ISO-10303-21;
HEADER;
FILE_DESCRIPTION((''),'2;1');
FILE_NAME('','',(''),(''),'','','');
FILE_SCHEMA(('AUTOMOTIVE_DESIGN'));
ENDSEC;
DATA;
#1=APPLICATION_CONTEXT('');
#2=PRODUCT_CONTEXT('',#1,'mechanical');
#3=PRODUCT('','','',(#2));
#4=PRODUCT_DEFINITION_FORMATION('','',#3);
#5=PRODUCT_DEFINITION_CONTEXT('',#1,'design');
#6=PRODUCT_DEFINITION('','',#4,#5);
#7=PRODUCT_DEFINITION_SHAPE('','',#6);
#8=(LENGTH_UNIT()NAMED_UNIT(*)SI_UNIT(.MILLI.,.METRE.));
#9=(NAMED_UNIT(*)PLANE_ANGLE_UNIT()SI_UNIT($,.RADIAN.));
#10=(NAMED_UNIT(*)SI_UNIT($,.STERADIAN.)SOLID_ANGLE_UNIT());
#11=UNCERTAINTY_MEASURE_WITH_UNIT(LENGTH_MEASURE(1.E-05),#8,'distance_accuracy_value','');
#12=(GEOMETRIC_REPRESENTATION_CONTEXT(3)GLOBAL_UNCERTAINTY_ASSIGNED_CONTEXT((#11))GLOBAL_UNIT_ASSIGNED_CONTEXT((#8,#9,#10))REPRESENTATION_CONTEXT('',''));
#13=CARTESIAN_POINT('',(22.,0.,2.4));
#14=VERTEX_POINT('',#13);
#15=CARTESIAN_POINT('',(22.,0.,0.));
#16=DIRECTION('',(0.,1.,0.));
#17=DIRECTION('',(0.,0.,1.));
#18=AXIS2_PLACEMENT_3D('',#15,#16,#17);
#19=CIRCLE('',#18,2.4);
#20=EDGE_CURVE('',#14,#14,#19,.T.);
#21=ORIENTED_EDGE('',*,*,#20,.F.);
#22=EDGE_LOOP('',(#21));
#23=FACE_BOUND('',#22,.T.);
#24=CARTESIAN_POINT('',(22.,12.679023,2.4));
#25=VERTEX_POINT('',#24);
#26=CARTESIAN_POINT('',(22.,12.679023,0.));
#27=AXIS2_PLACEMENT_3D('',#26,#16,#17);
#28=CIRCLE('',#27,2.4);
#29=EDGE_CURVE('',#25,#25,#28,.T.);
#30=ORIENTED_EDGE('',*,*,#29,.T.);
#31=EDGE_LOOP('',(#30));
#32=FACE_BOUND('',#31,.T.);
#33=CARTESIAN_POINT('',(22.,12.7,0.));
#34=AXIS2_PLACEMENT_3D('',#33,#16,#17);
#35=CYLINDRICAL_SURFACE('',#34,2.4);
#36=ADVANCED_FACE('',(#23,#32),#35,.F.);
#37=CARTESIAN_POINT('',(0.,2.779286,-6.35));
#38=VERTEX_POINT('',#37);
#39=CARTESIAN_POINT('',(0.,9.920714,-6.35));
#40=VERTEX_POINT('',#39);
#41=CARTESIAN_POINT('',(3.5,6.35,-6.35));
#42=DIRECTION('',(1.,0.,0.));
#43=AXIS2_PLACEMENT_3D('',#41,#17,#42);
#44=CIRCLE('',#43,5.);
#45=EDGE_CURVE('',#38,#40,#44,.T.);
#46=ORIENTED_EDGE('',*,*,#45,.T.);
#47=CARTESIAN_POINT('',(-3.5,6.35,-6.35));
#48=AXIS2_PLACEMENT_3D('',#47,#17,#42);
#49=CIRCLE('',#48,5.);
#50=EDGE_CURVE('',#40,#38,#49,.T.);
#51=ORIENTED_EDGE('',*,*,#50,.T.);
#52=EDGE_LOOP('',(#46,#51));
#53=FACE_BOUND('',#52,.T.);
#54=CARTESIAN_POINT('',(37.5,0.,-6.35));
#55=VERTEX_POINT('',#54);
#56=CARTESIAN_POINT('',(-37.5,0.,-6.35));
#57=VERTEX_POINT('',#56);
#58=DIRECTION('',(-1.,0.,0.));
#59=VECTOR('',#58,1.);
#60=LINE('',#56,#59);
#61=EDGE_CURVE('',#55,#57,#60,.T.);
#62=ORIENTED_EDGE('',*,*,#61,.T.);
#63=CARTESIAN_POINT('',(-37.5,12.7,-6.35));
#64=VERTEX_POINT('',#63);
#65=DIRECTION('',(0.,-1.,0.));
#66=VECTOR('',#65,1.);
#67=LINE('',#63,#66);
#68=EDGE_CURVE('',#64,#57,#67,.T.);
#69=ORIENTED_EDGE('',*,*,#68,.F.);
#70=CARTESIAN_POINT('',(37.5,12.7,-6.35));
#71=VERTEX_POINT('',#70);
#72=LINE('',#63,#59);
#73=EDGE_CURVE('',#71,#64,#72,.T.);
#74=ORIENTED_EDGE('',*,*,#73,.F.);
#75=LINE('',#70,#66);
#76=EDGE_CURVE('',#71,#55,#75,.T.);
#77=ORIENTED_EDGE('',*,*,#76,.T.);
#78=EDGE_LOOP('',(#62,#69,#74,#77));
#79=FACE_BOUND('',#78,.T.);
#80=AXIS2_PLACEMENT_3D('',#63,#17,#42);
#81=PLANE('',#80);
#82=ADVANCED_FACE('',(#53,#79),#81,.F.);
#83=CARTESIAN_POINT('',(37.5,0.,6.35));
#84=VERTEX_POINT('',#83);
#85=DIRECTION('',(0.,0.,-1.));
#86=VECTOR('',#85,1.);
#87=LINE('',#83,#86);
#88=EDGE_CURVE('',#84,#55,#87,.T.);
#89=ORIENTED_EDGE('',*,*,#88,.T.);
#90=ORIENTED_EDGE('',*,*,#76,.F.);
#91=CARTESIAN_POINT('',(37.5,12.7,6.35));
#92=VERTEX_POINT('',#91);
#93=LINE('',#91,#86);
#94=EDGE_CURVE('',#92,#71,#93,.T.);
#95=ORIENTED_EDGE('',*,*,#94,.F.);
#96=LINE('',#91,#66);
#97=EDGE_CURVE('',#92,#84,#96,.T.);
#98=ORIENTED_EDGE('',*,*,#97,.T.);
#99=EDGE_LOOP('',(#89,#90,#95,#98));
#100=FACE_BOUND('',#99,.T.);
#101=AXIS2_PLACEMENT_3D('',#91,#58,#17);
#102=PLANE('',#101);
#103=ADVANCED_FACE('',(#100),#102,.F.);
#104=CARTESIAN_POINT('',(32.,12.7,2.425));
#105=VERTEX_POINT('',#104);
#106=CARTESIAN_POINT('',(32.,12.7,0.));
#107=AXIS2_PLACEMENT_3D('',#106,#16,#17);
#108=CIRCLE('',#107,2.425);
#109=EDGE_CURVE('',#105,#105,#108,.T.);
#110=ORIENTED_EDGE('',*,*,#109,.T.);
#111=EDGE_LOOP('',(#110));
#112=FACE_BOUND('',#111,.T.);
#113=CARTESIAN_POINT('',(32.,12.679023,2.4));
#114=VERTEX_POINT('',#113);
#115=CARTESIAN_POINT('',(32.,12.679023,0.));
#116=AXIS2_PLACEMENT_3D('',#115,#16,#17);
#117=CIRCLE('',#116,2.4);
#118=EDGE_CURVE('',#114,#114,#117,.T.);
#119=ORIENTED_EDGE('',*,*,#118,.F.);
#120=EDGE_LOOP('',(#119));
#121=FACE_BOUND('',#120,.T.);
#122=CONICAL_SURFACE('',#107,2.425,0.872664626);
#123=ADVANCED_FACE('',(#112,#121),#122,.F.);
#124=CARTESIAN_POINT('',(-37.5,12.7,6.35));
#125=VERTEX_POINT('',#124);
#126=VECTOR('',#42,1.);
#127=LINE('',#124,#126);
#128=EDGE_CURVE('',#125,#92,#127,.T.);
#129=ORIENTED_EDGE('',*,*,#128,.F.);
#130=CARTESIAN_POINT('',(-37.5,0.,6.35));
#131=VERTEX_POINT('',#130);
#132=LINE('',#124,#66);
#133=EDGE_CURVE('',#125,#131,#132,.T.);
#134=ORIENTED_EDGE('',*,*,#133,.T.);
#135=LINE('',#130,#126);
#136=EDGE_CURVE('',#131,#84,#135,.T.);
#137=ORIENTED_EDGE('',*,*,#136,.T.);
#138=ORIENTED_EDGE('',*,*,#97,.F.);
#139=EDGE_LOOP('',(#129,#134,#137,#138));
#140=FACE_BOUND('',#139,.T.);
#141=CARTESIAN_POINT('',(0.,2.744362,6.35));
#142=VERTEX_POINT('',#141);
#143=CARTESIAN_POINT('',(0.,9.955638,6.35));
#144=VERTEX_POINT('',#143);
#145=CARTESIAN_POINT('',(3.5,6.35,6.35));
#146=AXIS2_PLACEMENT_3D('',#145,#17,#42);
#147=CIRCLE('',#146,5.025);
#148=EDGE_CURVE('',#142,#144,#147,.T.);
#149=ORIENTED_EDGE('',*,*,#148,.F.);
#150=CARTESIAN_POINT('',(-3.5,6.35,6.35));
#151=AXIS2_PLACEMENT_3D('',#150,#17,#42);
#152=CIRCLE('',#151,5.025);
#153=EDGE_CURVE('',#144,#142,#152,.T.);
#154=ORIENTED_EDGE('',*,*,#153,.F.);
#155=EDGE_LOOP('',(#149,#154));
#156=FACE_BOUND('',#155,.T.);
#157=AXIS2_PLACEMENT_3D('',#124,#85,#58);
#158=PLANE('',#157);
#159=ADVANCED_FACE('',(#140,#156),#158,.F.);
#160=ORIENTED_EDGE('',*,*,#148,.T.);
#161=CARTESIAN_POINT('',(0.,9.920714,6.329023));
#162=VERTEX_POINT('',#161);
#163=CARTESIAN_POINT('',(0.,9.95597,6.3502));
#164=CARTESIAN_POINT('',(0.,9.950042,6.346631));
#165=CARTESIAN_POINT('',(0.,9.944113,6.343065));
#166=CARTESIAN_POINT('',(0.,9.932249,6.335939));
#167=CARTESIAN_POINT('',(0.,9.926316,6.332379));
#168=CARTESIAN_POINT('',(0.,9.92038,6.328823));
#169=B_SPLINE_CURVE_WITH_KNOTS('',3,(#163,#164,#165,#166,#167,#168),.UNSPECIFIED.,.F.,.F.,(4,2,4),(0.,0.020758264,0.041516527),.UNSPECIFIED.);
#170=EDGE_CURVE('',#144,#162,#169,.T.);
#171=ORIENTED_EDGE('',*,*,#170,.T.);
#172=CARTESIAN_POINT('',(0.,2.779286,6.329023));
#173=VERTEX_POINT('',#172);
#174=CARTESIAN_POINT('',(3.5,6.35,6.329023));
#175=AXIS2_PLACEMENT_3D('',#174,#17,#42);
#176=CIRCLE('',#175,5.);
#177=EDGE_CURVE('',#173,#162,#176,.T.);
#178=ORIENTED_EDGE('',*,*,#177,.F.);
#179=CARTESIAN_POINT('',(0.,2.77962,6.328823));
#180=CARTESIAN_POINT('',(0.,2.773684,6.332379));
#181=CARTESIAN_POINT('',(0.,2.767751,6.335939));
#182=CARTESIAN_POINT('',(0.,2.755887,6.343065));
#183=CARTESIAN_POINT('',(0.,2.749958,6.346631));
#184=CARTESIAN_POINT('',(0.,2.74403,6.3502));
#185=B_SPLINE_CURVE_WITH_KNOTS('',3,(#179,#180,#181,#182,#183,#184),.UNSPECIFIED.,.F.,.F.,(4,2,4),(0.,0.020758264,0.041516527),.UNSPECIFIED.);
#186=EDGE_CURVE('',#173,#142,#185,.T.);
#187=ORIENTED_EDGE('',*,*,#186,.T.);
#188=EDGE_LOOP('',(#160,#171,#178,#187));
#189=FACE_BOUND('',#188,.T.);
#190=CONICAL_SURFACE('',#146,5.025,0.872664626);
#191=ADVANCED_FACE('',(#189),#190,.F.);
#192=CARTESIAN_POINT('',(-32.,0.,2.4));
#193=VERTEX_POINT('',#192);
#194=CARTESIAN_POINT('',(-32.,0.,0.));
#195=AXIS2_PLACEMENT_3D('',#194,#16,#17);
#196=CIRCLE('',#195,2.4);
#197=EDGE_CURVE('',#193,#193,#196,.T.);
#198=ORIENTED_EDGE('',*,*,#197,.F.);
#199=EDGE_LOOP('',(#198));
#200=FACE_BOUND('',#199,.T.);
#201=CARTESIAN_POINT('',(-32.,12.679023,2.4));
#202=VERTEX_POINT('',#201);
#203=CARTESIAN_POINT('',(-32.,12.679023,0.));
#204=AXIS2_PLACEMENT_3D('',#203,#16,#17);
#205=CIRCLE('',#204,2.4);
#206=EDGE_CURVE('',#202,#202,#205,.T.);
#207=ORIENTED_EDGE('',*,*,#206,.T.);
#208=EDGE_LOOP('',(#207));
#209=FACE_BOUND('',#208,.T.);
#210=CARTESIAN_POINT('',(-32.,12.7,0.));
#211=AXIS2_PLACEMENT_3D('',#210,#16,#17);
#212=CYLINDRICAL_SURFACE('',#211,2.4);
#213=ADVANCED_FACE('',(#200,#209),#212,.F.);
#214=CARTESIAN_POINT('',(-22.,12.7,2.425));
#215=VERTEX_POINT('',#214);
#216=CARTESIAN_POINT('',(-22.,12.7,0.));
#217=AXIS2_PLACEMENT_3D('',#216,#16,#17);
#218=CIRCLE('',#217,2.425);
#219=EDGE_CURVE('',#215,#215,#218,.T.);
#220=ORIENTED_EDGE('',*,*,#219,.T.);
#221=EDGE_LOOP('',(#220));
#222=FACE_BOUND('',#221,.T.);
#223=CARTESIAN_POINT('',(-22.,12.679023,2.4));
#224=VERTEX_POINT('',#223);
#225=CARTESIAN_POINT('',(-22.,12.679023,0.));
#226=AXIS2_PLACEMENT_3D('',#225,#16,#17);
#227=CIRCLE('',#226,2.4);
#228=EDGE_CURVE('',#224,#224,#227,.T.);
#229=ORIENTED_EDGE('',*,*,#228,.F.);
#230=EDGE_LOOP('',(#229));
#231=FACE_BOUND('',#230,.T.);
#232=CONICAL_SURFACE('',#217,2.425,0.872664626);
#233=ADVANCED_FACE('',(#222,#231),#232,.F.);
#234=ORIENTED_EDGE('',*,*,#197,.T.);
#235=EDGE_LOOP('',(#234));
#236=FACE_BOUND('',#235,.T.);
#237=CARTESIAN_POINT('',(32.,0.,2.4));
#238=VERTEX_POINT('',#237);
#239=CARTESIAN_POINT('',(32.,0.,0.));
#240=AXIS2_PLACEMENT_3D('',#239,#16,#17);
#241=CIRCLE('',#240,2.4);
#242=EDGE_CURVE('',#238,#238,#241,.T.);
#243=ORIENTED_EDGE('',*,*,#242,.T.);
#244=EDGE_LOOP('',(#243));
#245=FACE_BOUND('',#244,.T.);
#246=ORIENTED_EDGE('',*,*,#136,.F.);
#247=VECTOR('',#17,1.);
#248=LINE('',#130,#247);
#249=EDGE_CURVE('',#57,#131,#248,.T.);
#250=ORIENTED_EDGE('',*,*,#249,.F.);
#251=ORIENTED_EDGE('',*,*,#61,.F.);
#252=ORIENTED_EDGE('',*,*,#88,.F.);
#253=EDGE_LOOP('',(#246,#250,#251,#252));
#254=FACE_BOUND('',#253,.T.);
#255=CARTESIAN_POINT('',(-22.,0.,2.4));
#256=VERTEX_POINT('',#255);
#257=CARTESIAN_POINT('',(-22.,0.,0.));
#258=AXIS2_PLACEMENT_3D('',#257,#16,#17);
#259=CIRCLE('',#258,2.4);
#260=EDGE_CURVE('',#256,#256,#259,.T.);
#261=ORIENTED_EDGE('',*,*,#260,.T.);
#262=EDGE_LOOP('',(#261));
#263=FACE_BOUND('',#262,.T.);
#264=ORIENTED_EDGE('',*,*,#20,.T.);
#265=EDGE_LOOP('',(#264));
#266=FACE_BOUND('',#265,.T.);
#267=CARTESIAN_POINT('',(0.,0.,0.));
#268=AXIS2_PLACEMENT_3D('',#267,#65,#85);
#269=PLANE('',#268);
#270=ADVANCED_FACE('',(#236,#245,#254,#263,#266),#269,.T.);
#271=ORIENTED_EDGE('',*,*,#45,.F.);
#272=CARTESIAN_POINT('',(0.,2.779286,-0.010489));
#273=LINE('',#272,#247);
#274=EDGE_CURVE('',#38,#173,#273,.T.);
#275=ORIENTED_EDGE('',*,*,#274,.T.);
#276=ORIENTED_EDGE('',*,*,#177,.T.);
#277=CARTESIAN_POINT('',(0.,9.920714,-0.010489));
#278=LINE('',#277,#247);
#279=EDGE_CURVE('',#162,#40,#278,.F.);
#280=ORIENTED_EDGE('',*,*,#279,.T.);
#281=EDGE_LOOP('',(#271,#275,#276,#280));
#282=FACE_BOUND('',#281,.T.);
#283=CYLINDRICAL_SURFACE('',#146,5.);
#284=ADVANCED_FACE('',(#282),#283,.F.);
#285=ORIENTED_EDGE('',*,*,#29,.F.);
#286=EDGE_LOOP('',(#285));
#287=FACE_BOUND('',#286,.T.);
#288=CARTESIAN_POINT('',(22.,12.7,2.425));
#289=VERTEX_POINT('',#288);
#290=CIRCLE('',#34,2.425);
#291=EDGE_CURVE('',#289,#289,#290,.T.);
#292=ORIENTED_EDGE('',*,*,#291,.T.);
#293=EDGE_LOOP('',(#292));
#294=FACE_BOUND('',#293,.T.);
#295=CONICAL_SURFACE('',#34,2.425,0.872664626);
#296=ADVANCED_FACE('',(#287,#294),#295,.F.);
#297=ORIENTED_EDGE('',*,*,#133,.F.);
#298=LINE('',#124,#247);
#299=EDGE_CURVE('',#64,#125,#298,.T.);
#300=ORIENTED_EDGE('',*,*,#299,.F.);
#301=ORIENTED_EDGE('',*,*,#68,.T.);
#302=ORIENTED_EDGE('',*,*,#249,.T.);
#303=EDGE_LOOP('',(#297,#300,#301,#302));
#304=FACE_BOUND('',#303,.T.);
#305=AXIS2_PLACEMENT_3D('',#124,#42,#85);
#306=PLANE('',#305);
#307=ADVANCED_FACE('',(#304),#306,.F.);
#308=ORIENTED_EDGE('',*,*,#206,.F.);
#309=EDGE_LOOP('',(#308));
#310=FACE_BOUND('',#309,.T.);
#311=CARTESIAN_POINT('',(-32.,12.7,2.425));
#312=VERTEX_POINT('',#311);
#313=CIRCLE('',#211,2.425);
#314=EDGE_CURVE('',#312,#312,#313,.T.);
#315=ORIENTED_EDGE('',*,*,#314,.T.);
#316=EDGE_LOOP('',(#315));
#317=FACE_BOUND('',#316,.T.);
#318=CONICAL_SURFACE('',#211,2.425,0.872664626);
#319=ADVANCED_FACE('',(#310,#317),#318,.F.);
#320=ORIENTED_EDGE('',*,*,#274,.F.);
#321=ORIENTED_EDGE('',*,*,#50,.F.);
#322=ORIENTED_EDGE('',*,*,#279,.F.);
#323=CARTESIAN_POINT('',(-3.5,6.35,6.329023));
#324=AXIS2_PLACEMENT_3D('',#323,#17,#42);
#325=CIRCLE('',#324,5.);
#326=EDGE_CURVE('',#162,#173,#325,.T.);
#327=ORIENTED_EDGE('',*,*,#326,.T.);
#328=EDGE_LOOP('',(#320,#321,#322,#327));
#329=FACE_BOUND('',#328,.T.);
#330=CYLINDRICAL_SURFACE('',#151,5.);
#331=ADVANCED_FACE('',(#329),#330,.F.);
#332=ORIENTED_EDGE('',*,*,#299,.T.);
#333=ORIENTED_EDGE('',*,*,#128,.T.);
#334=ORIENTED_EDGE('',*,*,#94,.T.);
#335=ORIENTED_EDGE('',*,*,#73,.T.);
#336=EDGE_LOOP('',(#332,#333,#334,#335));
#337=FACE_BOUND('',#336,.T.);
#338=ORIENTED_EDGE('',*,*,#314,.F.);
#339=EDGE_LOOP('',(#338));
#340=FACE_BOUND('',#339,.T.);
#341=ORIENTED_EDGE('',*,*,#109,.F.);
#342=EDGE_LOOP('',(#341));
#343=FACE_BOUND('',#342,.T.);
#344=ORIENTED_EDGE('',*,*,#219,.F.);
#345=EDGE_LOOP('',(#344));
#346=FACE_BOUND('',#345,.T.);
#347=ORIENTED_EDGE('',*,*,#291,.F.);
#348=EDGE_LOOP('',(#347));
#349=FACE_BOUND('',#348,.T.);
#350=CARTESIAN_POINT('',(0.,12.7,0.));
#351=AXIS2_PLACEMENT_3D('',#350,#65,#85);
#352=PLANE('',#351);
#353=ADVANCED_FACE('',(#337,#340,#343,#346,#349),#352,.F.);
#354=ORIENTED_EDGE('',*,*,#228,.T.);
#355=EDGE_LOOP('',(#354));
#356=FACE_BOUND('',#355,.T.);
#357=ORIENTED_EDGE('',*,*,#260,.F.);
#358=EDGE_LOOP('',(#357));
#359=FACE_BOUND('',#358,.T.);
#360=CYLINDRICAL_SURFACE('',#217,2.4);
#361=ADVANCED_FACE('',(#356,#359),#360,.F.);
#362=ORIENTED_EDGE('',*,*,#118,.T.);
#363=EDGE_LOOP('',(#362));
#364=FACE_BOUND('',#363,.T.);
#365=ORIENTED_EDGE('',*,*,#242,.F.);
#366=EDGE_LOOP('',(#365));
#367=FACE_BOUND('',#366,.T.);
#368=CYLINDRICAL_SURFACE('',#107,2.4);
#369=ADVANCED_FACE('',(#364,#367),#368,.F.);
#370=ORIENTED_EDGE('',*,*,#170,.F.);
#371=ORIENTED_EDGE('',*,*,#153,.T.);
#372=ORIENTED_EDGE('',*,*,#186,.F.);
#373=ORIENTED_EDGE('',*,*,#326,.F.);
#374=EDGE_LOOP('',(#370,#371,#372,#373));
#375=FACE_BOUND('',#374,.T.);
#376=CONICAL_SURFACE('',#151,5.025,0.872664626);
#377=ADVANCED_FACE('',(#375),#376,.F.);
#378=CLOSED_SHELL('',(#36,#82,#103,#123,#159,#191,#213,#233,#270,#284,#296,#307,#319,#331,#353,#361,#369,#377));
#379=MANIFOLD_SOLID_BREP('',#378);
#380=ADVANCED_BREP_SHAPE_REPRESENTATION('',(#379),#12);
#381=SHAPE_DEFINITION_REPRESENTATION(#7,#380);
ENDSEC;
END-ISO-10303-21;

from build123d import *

# Parameters (mm, degrees)
SKETCH1_W                      = 75
SKETCH1_H                      = 12.7
BOSS_EXTRUDE1_DEPTH            = 12.7
M4_CLEARANCE_HOLE1_D           = 4.8
M4_CLEARANCE_HOLE1_CSINK_D     = 4.85
M4_CLEARANCE_HOLE1_CSINK_ANGLE = 100
M8_CLEARANCE_HOLE1_D           = 10
M8_CLEARANCE_HOLE1_CSINK_D     = 10.05
M8_CLEARANCE_HOLE1_CSINK_ANGLE = 100


with BuildPart() as part:
    # Sketch1 → Boss-Extrude1 (new body)
    with BuildSketch(Plane(origin=(0, 0, 0), x_dir=(1, 0, 0), z_dir=(0, 1, 0))):
        Rectangle(SKETCH1_W, SKETCH1_H)
    extrude(amount=BOSS_EXTRUDE1_DEPTH)

    # M4 Clearance Hole1 (through all)
    with Locations(Plane(origin=(0, 12.7, 0), x_dir=(1, 0, 0), z_dir=(0, 1, 0))):
        with Locations((-32, 0), (-22, 0), (22, 0), (32, 0)):
            CounterSinkHole(M4_CLEARANCE_HOLE1_D / 2, M4_CLEARANCE_HOLE1_CSINK_D / 2, counter_sink_angle=M4_CLEARANCE_HOLE1_CSINK_ANGLE)

    # M8 Clearance Hole1 (through all)
    with Locations(Plane.XY.offset(6.35)):
        with Locations((-3.5, 6.35), (3.5, 6.35)):
            CounterSinkHole(M8_CLEARANCE_HOLE1_D / 2, M8_CLEARANCE_HOLE1_CSINK_D / 2, counter_sink_angle=M8_CLEARANCE_HOLE1_CSINK_ANGLE)


solid = part.part
